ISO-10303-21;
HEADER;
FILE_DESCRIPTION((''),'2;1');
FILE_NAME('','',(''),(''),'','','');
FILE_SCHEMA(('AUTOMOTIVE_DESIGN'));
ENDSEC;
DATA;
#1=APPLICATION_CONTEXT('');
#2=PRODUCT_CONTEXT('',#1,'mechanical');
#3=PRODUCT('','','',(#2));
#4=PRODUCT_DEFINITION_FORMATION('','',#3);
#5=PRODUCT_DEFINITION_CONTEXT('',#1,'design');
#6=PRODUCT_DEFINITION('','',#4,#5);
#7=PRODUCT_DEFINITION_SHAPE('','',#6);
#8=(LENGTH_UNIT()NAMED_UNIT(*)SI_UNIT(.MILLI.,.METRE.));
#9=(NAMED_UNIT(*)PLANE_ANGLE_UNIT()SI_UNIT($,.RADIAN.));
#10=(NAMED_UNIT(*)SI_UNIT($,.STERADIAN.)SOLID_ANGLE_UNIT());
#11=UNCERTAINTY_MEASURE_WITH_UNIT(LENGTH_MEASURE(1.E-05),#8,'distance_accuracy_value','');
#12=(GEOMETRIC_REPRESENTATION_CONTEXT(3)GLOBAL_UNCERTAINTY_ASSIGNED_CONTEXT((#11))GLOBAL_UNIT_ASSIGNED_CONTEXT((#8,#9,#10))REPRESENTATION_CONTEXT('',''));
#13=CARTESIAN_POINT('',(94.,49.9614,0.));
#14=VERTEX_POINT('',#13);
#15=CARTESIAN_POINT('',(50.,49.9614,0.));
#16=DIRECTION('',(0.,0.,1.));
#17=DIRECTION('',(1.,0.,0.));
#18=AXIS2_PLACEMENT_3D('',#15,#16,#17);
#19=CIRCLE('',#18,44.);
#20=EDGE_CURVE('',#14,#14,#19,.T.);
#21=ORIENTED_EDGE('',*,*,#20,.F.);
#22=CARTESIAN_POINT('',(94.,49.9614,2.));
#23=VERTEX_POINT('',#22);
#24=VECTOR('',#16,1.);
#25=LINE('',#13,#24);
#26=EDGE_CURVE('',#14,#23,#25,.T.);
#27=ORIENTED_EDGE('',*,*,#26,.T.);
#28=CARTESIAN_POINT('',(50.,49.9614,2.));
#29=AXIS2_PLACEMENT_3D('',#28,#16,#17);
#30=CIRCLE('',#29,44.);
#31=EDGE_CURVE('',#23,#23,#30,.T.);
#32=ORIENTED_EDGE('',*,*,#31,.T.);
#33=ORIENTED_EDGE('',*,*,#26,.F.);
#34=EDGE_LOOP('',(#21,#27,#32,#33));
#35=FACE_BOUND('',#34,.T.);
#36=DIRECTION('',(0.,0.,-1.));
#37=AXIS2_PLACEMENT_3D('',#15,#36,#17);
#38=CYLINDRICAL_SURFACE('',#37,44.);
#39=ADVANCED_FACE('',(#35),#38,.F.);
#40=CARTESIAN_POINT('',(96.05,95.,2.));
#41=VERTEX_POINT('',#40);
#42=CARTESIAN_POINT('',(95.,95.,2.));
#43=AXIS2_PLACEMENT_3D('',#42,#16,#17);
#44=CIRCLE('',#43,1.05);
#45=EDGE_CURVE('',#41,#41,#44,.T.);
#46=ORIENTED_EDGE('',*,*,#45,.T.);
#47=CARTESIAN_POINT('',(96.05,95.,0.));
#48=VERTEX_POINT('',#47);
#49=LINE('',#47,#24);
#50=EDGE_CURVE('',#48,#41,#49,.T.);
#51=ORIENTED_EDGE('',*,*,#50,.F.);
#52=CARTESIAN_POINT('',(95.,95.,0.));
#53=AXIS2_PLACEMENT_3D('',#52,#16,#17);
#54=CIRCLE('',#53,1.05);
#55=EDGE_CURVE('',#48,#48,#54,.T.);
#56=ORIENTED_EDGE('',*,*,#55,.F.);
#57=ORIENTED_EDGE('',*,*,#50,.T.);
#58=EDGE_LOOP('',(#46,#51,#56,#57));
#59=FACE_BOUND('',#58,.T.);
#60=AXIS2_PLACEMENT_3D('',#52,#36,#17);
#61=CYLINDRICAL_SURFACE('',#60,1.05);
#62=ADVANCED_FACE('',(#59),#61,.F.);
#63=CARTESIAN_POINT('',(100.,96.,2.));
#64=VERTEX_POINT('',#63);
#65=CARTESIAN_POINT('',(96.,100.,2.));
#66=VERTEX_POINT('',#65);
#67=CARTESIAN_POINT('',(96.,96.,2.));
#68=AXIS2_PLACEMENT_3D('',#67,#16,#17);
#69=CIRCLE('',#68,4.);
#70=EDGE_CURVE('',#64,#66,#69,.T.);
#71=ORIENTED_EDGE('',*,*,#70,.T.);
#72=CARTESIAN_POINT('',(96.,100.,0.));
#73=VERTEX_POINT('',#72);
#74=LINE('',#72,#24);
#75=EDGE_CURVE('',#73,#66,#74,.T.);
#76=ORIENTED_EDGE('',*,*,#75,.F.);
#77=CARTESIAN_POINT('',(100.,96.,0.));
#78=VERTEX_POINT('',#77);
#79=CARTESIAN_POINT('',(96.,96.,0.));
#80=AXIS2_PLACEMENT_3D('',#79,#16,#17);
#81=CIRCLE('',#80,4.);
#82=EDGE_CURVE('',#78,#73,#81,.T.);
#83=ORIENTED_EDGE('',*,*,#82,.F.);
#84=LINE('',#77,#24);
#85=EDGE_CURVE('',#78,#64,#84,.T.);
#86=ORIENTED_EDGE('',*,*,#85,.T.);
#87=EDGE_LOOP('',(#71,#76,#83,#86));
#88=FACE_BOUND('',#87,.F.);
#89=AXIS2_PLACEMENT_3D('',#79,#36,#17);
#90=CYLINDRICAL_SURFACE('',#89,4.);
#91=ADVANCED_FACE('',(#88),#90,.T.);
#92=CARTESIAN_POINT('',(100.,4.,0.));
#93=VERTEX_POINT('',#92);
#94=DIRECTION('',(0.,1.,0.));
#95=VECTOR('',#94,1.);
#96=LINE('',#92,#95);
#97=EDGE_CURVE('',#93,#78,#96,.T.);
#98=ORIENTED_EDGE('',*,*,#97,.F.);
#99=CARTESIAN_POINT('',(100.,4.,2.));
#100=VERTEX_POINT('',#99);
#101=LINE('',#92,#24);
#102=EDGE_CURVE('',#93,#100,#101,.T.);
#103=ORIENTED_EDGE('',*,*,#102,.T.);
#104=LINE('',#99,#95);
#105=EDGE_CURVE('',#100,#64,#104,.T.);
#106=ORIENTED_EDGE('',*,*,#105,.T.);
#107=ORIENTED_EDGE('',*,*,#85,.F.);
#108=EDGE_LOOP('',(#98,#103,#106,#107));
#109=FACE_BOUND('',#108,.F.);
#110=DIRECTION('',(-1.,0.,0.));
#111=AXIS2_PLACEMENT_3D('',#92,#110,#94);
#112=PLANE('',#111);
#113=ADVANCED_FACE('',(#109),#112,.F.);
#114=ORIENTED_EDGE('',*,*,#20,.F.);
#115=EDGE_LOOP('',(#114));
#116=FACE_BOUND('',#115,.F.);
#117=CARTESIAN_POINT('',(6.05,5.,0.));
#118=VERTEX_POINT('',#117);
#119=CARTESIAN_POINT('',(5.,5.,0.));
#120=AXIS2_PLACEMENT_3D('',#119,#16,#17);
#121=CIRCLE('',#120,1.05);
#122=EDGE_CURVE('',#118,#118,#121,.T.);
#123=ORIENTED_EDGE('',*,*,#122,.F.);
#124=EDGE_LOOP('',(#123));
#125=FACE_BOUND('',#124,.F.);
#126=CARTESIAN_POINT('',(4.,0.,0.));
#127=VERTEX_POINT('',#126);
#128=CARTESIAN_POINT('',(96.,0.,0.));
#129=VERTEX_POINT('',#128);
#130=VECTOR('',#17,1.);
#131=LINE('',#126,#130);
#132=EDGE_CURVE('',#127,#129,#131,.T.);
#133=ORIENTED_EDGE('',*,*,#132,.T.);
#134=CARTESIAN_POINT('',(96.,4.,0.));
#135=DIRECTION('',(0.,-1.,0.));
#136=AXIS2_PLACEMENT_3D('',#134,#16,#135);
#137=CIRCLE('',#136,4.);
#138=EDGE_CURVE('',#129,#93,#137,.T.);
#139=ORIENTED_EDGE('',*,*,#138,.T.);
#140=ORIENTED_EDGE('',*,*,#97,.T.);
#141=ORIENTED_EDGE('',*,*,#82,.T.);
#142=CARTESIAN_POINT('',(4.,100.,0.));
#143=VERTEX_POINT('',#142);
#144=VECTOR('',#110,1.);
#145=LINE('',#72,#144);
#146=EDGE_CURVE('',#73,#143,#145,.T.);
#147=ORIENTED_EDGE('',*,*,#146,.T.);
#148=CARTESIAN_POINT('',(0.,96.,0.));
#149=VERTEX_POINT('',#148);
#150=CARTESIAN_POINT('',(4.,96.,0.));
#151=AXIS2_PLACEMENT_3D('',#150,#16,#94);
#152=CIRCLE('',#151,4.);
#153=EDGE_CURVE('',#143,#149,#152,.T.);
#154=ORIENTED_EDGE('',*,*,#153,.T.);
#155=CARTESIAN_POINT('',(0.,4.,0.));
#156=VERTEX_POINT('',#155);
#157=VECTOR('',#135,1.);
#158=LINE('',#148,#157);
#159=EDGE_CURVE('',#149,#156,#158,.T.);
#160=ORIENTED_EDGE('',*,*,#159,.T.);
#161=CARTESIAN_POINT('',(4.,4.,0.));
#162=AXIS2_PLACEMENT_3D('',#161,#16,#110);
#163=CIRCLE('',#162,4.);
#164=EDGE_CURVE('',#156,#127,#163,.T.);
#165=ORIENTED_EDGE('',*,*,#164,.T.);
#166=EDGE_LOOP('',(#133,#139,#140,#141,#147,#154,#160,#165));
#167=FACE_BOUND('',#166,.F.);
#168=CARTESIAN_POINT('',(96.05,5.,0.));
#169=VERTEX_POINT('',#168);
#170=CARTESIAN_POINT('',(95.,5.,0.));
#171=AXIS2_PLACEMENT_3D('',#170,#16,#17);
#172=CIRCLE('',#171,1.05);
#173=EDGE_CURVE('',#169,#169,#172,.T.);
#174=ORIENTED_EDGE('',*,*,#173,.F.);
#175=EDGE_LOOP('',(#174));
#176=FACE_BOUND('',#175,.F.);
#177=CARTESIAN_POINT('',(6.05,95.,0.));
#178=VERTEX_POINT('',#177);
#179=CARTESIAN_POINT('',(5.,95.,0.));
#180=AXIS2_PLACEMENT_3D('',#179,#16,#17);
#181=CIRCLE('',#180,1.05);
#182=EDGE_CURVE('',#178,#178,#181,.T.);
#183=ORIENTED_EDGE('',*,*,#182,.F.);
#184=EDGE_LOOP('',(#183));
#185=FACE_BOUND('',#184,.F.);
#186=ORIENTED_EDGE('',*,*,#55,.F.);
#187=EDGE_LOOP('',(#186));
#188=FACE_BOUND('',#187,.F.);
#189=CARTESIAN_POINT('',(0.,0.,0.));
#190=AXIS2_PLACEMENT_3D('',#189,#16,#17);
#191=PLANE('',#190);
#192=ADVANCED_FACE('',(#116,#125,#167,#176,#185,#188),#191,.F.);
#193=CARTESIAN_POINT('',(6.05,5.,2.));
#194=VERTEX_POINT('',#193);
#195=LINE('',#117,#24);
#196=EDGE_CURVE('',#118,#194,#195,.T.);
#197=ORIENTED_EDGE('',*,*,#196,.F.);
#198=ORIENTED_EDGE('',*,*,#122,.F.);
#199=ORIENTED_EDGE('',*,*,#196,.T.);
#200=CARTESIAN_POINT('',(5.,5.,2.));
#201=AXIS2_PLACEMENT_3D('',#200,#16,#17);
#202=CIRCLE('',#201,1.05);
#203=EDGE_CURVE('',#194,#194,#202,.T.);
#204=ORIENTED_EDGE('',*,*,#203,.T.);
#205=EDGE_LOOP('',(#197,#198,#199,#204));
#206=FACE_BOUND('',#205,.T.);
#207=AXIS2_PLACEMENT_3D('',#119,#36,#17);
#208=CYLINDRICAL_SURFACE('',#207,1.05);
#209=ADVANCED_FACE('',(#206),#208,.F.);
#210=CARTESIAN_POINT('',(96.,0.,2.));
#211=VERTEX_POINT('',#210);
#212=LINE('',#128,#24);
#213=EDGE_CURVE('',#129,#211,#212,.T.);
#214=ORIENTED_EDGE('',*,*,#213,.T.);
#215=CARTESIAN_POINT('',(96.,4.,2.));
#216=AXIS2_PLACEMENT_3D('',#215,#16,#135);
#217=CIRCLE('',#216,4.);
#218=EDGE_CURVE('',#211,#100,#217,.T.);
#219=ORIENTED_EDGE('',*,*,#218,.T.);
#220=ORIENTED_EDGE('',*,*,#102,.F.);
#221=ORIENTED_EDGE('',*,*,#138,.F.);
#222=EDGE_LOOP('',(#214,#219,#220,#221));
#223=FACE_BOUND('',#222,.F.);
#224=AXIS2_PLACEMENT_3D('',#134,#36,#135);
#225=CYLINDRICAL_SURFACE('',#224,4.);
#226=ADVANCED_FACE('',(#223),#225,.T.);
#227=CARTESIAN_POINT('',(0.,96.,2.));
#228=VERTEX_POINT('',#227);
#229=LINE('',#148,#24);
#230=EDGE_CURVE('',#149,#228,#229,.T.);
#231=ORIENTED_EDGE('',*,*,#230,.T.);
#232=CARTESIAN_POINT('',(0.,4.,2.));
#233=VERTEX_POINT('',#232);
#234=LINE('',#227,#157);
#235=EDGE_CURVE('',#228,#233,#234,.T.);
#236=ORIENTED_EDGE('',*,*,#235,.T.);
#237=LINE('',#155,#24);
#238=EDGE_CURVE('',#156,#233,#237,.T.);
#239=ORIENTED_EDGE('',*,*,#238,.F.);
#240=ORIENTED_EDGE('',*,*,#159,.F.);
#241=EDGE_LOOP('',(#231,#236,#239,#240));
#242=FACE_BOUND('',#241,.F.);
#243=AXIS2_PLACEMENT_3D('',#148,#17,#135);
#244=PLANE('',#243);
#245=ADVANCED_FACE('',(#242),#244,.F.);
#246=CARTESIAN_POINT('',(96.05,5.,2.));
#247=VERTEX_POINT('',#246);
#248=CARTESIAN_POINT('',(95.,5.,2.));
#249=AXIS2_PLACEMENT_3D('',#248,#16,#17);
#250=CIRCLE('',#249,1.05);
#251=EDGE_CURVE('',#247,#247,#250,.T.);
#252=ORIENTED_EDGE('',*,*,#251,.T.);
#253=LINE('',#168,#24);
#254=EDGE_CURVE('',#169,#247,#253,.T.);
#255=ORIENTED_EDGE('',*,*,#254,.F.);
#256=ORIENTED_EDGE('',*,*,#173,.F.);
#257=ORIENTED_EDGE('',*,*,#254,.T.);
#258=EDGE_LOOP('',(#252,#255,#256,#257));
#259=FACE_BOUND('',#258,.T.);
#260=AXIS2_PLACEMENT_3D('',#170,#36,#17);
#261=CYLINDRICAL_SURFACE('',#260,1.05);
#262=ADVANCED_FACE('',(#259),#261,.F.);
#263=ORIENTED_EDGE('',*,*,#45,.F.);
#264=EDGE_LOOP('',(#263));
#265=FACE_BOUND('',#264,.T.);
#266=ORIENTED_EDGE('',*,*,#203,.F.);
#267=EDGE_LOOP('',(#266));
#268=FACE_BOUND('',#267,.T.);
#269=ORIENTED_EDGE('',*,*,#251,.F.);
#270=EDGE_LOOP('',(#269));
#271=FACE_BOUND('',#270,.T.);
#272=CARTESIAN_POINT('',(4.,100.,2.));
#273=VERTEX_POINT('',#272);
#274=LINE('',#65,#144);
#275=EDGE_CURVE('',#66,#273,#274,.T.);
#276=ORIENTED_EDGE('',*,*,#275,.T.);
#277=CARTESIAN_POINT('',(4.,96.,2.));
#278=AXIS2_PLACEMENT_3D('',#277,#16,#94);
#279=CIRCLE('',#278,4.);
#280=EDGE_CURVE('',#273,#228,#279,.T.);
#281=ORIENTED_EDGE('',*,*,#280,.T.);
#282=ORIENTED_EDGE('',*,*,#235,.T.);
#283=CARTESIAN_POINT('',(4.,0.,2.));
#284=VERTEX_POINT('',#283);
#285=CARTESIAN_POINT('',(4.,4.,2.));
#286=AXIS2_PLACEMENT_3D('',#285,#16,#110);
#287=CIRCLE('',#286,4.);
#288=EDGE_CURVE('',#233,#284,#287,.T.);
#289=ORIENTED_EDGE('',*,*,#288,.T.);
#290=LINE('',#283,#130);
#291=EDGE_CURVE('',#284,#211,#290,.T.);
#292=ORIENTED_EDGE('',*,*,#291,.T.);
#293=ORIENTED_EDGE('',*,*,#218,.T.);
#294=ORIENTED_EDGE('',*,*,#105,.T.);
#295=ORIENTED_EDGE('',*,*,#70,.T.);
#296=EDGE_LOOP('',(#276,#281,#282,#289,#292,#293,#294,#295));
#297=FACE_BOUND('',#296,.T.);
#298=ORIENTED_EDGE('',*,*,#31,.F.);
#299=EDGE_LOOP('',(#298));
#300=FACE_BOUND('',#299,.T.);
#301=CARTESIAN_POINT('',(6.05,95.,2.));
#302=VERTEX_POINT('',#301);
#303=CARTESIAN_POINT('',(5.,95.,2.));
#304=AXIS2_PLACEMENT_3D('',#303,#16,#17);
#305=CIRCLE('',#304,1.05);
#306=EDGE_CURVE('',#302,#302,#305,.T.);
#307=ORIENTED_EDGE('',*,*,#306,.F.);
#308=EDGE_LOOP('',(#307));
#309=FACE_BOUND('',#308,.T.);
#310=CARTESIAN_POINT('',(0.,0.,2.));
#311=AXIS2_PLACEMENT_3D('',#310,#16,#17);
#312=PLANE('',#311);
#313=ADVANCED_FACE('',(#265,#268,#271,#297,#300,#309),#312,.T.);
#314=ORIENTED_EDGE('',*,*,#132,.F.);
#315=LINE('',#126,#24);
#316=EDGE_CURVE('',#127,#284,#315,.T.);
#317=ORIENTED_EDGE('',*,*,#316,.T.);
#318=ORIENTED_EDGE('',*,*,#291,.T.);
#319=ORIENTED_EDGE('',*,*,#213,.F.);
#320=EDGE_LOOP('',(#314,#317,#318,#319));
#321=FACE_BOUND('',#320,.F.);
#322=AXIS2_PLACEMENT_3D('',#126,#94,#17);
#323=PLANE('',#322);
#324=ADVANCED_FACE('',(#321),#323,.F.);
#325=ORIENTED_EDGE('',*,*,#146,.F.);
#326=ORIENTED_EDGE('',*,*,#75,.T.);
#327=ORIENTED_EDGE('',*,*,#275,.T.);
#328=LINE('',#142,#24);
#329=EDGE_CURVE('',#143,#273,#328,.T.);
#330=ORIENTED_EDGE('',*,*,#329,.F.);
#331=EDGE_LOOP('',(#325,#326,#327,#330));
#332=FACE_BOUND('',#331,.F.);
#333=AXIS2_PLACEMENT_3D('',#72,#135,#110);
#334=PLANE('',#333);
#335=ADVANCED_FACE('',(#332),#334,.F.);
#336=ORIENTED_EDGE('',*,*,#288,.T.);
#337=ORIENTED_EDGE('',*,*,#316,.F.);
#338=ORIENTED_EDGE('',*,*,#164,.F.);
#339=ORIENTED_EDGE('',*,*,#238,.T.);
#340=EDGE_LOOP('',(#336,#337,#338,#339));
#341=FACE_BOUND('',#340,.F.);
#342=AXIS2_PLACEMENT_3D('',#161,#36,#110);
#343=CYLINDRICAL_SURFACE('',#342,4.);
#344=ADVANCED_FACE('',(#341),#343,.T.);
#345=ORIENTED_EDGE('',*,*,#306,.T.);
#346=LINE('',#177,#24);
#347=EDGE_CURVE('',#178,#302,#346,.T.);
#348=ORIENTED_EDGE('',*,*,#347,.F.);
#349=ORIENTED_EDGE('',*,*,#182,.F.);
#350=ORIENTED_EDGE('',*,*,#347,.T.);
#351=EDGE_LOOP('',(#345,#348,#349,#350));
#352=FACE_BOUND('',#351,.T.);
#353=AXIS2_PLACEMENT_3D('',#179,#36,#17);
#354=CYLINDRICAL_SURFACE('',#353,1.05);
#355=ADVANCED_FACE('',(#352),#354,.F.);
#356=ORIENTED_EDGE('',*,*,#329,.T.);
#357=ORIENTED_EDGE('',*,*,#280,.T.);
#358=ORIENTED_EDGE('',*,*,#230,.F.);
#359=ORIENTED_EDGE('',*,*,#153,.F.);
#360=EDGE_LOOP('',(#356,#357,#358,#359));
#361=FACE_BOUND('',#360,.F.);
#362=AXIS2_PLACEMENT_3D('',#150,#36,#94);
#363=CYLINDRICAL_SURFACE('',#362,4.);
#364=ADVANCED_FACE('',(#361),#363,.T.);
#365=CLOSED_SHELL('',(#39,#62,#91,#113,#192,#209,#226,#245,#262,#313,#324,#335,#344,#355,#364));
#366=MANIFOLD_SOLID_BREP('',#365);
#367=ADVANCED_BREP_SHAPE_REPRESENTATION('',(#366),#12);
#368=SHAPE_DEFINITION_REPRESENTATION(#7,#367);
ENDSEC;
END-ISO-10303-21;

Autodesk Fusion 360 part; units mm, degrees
sketch "Sketch1" plane through (0, 0, 0) normal (0, 0, 1) x (1, 0, 0)
  line L0 (4, 0) -> (96, 0)
  line L1 (100, 4) -> (100, 96)
  line L2 (96, 100) -> (4, 100)
  line L3 (0, 96) -> (0, 4)
  arc A0 (0, 4) -> (4, 0) centre (4, 4) ccw
  arc A1 (4, 100) -> (0, 96) centre (4, 96) ccw
  arc A2 (100, 96) -> (96, 100) centre (96, 96) ccw
  arc A3 (96, 0) -> (100, 4) centre (96, 4) ccw
  circle A4 centre (50, 49.9614) radius 44
  circle A5 centre (5, 95) radius 1.05
  circle A6 centre (95, 95) radius 1.05
  circle A7 centre (95, 5) radius 1.05
  circle A8 centre (5, 5) radius 1.05
  point P0 (100, 0)
  point P1 (0, 100)
  dimension "d1" = 100
  dimension "d2" = 100
  dimension "d3" = 4
  dimension "d4" = 4
  dimension "d5" = 4
  dimension "d6" = 4
  dimension "d7" = 88
  dimension "d8" = 2.1
  dimension "d9" = 2.1
  dimension "d10" = 2.1
  dimension "d11" = 2.1
extrude "Extrude1" add sketch "Sketch1" along normal blind 2
